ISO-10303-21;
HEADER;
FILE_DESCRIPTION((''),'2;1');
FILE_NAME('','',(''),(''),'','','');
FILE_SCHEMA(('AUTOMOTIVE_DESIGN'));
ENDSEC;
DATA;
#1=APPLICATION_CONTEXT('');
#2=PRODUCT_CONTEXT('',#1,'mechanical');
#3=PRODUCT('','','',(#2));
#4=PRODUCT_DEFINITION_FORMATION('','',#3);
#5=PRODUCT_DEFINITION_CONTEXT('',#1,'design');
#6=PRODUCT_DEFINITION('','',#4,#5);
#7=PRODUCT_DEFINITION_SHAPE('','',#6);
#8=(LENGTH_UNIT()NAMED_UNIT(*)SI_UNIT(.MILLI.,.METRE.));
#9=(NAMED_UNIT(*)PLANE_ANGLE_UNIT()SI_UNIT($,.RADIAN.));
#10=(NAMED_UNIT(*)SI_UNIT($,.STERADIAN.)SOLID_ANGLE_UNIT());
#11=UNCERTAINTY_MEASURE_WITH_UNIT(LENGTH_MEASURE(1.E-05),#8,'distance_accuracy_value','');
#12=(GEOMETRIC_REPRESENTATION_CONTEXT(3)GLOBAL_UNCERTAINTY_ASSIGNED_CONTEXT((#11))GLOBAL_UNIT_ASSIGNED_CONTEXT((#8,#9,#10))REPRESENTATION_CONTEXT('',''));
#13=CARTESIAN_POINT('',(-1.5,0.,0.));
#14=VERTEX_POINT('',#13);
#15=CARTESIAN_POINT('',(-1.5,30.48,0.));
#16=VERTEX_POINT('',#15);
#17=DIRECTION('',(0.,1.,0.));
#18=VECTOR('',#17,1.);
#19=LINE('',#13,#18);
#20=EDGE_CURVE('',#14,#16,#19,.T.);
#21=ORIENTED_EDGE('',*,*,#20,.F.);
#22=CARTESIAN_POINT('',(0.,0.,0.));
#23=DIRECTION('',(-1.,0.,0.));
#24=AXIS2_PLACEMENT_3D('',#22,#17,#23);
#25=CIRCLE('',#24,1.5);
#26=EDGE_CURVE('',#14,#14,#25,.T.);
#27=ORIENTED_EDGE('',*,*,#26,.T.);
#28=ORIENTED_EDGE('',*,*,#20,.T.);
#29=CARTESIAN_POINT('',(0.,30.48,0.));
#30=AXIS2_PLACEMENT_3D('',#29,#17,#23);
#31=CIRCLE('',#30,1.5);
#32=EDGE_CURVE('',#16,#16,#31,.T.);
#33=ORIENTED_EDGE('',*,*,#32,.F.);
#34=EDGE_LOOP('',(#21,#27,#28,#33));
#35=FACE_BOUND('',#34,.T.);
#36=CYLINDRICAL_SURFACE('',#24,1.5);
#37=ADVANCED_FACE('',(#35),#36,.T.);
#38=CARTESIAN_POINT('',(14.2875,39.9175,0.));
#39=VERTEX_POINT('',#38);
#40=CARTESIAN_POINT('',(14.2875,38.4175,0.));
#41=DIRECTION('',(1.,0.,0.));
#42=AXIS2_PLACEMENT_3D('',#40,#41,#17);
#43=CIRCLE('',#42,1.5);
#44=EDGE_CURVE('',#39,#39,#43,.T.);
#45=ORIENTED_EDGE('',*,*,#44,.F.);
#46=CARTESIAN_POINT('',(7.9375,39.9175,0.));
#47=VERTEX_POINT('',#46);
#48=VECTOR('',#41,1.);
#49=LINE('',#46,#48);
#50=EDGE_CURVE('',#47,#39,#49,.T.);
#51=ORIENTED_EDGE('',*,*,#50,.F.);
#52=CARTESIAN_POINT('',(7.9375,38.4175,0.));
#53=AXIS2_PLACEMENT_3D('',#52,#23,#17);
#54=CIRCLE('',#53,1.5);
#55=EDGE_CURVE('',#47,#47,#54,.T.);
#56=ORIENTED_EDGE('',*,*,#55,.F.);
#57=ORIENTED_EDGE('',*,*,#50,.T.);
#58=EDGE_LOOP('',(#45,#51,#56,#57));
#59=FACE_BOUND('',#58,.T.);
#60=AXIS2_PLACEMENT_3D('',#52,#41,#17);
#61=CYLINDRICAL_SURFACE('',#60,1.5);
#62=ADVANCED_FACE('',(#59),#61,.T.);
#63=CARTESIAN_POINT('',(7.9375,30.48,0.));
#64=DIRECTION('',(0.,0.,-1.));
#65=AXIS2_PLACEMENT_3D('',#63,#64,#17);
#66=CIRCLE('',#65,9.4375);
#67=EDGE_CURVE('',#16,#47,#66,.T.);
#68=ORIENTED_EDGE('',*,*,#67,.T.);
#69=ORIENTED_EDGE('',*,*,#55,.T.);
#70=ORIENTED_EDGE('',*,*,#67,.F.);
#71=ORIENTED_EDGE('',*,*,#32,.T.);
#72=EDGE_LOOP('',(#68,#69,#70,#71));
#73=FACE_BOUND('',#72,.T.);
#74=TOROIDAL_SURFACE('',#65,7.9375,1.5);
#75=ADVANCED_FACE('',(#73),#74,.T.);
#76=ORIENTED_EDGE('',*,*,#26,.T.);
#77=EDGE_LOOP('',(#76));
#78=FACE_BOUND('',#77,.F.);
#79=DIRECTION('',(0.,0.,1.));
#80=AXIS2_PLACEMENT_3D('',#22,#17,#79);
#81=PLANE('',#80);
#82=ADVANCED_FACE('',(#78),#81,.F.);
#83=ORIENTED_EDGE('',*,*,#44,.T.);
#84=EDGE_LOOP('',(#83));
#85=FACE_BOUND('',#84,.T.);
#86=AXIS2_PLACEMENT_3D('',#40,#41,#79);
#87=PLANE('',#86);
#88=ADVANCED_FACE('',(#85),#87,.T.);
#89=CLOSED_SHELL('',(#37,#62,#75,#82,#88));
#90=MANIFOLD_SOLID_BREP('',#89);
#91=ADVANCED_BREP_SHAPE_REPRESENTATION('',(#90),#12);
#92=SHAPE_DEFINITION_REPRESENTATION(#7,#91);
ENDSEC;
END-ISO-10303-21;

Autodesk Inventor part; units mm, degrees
ref_plane "YZ Plane" through (0, 0, 0) normal (1, 0, 0) x (0, 1, 0)
ref_plane "XZ Plane" through (0, 0, 0) normal (0, 1, 0) x (-1, 0, 0)
ref_plane "XY Plane" through (0, 0, 0) normal (0, 0, 1) x (1, 0, 0)
sketch "Sketch1" plane through (0, 0, 0) normal (0, 0, 1) x (1, 0, 0)
  line L0 (0, 0) -> (0, 30.48)
  line L1 (0, 30.48) -> (7.9375, 30.48)
  line L2 (7.9375, 30.48) -> (7.9375, 38.4175)
  line L3 (7.9375, 38.4175) -> (14.2875, 38.4175)
  arc A0 (7.9375, 38.4175) -> (0, 30.48) centre (7.9375, 30.48) ccw
  dimension "d0" = 30.48
  dimension "d1" = 7.9375
  dimension "d2" = 7.9375
  dimension "d3" = 6.35
sketch "Sketch2" plane through (0, 0, 0) normal (0, 1, 0) x (-1, 0, 0)
  circle A0 centre (0, 0) radius 1.5
  dimension "d4" = 3
sweep "Sweep1" add profiles "Sketch2" path "Sketch1" path curves L0 A0 L3
properties part number "3mmControlSurfaceShaft_2"
